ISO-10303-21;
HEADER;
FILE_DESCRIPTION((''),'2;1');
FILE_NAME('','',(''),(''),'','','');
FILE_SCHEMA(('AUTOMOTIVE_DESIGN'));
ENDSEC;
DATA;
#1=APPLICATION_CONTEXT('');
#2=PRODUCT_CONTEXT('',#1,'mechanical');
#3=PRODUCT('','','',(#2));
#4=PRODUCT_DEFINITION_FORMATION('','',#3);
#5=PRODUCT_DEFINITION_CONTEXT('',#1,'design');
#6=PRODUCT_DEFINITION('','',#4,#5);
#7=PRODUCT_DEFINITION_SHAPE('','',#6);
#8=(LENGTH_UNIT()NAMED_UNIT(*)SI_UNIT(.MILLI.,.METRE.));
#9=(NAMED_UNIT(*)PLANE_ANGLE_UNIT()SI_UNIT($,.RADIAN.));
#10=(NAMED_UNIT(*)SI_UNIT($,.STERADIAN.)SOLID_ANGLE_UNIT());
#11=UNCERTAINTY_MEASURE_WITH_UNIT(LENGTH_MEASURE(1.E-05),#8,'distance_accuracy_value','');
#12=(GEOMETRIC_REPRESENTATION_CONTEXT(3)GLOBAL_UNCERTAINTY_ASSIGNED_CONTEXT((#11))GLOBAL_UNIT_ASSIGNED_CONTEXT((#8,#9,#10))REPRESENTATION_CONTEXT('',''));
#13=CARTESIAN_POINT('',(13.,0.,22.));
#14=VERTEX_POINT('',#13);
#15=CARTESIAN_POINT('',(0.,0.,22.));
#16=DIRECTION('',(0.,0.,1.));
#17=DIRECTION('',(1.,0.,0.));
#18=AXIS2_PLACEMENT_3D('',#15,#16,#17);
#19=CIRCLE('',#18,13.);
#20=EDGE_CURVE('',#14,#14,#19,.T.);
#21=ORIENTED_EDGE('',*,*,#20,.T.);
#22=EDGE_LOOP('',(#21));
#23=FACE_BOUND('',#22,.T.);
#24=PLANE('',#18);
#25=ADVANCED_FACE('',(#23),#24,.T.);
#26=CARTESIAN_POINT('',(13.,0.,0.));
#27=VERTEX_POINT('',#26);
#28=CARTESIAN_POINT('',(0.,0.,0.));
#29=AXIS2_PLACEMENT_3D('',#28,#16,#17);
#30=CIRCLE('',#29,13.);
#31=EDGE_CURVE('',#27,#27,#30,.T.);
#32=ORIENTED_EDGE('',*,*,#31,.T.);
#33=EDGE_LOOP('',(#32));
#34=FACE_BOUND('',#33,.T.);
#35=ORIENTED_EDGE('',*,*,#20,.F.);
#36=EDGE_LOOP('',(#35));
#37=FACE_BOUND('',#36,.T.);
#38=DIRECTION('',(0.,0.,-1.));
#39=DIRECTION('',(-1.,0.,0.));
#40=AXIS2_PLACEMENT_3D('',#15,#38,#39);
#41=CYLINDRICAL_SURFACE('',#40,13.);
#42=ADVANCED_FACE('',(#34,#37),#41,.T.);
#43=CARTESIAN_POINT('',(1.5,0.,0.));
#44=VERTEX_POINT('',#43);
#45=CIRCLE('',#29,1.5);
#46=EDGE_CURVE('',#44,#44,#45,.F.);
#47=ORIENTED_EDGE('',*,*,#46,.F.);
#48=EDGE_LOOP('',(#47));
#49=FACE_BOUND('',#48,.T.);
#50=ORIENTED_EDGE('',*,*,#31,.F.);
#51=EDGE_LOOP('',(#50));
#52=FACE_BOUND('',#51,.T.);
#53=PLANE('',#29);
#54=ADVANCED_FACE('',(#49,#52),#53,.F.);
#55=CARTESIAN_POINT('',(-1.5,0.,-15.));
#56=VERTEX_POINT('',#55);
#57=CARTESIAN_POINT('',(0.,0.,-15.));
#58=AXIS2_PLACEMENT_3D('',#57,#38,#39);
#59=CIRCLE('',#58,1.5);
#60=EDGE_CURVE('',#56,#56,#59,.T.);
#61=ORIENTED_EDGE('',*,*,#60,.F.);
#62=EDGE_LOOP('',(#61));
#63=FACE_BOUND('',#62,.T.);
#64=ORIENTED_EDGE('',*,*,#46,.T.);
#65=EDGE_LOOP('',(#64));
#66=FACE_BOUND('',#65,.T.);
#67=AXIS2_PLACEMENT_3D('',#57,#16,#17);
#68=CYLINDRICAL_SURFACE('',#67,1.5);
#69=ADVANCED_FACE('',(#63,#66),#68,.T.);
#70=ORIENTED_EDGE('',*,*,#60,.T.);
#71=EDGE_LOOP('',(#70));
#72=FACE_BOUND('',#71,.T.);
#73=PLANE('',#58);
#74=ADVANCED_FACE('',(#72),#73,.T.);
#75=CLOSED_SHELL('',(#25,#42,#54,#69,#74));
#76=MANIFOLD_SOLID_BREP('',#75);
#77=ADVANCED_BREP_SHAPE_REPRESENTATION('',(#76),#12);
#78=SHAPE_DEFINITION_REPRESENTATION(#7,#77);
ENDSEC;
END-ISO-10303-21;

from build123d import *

# Parameters (mm, degrees)
ESQUISSE1_R        = 13
BOSS_EXTRU_1_DEPTH = 22
ESQUISSE2_R        = 1.5
BOSS_EXTRU_2_DEPTH = 15


with BuildPart() as part:
    # Esquisse1 → Boss.-Extru.1 (new body)
    with BuildSketch(Plane.XY):
        Circle(ESQUISSE1_R)
    extrude(amount=BOSS_EXTRU_1_DEPTH)

    # Esquisse2 → Boss.-Extru.2 (add)
    with BuildSketch(Plane(origin=(0, 0, 0), x_dir=(-1, 0, 0), z_dir=(0, 0, -1))):
        Circle(ESQUISSE2_R)
    extrude(amount=BOSS_EXTRU_2_DEPTH)


solid = part.part
